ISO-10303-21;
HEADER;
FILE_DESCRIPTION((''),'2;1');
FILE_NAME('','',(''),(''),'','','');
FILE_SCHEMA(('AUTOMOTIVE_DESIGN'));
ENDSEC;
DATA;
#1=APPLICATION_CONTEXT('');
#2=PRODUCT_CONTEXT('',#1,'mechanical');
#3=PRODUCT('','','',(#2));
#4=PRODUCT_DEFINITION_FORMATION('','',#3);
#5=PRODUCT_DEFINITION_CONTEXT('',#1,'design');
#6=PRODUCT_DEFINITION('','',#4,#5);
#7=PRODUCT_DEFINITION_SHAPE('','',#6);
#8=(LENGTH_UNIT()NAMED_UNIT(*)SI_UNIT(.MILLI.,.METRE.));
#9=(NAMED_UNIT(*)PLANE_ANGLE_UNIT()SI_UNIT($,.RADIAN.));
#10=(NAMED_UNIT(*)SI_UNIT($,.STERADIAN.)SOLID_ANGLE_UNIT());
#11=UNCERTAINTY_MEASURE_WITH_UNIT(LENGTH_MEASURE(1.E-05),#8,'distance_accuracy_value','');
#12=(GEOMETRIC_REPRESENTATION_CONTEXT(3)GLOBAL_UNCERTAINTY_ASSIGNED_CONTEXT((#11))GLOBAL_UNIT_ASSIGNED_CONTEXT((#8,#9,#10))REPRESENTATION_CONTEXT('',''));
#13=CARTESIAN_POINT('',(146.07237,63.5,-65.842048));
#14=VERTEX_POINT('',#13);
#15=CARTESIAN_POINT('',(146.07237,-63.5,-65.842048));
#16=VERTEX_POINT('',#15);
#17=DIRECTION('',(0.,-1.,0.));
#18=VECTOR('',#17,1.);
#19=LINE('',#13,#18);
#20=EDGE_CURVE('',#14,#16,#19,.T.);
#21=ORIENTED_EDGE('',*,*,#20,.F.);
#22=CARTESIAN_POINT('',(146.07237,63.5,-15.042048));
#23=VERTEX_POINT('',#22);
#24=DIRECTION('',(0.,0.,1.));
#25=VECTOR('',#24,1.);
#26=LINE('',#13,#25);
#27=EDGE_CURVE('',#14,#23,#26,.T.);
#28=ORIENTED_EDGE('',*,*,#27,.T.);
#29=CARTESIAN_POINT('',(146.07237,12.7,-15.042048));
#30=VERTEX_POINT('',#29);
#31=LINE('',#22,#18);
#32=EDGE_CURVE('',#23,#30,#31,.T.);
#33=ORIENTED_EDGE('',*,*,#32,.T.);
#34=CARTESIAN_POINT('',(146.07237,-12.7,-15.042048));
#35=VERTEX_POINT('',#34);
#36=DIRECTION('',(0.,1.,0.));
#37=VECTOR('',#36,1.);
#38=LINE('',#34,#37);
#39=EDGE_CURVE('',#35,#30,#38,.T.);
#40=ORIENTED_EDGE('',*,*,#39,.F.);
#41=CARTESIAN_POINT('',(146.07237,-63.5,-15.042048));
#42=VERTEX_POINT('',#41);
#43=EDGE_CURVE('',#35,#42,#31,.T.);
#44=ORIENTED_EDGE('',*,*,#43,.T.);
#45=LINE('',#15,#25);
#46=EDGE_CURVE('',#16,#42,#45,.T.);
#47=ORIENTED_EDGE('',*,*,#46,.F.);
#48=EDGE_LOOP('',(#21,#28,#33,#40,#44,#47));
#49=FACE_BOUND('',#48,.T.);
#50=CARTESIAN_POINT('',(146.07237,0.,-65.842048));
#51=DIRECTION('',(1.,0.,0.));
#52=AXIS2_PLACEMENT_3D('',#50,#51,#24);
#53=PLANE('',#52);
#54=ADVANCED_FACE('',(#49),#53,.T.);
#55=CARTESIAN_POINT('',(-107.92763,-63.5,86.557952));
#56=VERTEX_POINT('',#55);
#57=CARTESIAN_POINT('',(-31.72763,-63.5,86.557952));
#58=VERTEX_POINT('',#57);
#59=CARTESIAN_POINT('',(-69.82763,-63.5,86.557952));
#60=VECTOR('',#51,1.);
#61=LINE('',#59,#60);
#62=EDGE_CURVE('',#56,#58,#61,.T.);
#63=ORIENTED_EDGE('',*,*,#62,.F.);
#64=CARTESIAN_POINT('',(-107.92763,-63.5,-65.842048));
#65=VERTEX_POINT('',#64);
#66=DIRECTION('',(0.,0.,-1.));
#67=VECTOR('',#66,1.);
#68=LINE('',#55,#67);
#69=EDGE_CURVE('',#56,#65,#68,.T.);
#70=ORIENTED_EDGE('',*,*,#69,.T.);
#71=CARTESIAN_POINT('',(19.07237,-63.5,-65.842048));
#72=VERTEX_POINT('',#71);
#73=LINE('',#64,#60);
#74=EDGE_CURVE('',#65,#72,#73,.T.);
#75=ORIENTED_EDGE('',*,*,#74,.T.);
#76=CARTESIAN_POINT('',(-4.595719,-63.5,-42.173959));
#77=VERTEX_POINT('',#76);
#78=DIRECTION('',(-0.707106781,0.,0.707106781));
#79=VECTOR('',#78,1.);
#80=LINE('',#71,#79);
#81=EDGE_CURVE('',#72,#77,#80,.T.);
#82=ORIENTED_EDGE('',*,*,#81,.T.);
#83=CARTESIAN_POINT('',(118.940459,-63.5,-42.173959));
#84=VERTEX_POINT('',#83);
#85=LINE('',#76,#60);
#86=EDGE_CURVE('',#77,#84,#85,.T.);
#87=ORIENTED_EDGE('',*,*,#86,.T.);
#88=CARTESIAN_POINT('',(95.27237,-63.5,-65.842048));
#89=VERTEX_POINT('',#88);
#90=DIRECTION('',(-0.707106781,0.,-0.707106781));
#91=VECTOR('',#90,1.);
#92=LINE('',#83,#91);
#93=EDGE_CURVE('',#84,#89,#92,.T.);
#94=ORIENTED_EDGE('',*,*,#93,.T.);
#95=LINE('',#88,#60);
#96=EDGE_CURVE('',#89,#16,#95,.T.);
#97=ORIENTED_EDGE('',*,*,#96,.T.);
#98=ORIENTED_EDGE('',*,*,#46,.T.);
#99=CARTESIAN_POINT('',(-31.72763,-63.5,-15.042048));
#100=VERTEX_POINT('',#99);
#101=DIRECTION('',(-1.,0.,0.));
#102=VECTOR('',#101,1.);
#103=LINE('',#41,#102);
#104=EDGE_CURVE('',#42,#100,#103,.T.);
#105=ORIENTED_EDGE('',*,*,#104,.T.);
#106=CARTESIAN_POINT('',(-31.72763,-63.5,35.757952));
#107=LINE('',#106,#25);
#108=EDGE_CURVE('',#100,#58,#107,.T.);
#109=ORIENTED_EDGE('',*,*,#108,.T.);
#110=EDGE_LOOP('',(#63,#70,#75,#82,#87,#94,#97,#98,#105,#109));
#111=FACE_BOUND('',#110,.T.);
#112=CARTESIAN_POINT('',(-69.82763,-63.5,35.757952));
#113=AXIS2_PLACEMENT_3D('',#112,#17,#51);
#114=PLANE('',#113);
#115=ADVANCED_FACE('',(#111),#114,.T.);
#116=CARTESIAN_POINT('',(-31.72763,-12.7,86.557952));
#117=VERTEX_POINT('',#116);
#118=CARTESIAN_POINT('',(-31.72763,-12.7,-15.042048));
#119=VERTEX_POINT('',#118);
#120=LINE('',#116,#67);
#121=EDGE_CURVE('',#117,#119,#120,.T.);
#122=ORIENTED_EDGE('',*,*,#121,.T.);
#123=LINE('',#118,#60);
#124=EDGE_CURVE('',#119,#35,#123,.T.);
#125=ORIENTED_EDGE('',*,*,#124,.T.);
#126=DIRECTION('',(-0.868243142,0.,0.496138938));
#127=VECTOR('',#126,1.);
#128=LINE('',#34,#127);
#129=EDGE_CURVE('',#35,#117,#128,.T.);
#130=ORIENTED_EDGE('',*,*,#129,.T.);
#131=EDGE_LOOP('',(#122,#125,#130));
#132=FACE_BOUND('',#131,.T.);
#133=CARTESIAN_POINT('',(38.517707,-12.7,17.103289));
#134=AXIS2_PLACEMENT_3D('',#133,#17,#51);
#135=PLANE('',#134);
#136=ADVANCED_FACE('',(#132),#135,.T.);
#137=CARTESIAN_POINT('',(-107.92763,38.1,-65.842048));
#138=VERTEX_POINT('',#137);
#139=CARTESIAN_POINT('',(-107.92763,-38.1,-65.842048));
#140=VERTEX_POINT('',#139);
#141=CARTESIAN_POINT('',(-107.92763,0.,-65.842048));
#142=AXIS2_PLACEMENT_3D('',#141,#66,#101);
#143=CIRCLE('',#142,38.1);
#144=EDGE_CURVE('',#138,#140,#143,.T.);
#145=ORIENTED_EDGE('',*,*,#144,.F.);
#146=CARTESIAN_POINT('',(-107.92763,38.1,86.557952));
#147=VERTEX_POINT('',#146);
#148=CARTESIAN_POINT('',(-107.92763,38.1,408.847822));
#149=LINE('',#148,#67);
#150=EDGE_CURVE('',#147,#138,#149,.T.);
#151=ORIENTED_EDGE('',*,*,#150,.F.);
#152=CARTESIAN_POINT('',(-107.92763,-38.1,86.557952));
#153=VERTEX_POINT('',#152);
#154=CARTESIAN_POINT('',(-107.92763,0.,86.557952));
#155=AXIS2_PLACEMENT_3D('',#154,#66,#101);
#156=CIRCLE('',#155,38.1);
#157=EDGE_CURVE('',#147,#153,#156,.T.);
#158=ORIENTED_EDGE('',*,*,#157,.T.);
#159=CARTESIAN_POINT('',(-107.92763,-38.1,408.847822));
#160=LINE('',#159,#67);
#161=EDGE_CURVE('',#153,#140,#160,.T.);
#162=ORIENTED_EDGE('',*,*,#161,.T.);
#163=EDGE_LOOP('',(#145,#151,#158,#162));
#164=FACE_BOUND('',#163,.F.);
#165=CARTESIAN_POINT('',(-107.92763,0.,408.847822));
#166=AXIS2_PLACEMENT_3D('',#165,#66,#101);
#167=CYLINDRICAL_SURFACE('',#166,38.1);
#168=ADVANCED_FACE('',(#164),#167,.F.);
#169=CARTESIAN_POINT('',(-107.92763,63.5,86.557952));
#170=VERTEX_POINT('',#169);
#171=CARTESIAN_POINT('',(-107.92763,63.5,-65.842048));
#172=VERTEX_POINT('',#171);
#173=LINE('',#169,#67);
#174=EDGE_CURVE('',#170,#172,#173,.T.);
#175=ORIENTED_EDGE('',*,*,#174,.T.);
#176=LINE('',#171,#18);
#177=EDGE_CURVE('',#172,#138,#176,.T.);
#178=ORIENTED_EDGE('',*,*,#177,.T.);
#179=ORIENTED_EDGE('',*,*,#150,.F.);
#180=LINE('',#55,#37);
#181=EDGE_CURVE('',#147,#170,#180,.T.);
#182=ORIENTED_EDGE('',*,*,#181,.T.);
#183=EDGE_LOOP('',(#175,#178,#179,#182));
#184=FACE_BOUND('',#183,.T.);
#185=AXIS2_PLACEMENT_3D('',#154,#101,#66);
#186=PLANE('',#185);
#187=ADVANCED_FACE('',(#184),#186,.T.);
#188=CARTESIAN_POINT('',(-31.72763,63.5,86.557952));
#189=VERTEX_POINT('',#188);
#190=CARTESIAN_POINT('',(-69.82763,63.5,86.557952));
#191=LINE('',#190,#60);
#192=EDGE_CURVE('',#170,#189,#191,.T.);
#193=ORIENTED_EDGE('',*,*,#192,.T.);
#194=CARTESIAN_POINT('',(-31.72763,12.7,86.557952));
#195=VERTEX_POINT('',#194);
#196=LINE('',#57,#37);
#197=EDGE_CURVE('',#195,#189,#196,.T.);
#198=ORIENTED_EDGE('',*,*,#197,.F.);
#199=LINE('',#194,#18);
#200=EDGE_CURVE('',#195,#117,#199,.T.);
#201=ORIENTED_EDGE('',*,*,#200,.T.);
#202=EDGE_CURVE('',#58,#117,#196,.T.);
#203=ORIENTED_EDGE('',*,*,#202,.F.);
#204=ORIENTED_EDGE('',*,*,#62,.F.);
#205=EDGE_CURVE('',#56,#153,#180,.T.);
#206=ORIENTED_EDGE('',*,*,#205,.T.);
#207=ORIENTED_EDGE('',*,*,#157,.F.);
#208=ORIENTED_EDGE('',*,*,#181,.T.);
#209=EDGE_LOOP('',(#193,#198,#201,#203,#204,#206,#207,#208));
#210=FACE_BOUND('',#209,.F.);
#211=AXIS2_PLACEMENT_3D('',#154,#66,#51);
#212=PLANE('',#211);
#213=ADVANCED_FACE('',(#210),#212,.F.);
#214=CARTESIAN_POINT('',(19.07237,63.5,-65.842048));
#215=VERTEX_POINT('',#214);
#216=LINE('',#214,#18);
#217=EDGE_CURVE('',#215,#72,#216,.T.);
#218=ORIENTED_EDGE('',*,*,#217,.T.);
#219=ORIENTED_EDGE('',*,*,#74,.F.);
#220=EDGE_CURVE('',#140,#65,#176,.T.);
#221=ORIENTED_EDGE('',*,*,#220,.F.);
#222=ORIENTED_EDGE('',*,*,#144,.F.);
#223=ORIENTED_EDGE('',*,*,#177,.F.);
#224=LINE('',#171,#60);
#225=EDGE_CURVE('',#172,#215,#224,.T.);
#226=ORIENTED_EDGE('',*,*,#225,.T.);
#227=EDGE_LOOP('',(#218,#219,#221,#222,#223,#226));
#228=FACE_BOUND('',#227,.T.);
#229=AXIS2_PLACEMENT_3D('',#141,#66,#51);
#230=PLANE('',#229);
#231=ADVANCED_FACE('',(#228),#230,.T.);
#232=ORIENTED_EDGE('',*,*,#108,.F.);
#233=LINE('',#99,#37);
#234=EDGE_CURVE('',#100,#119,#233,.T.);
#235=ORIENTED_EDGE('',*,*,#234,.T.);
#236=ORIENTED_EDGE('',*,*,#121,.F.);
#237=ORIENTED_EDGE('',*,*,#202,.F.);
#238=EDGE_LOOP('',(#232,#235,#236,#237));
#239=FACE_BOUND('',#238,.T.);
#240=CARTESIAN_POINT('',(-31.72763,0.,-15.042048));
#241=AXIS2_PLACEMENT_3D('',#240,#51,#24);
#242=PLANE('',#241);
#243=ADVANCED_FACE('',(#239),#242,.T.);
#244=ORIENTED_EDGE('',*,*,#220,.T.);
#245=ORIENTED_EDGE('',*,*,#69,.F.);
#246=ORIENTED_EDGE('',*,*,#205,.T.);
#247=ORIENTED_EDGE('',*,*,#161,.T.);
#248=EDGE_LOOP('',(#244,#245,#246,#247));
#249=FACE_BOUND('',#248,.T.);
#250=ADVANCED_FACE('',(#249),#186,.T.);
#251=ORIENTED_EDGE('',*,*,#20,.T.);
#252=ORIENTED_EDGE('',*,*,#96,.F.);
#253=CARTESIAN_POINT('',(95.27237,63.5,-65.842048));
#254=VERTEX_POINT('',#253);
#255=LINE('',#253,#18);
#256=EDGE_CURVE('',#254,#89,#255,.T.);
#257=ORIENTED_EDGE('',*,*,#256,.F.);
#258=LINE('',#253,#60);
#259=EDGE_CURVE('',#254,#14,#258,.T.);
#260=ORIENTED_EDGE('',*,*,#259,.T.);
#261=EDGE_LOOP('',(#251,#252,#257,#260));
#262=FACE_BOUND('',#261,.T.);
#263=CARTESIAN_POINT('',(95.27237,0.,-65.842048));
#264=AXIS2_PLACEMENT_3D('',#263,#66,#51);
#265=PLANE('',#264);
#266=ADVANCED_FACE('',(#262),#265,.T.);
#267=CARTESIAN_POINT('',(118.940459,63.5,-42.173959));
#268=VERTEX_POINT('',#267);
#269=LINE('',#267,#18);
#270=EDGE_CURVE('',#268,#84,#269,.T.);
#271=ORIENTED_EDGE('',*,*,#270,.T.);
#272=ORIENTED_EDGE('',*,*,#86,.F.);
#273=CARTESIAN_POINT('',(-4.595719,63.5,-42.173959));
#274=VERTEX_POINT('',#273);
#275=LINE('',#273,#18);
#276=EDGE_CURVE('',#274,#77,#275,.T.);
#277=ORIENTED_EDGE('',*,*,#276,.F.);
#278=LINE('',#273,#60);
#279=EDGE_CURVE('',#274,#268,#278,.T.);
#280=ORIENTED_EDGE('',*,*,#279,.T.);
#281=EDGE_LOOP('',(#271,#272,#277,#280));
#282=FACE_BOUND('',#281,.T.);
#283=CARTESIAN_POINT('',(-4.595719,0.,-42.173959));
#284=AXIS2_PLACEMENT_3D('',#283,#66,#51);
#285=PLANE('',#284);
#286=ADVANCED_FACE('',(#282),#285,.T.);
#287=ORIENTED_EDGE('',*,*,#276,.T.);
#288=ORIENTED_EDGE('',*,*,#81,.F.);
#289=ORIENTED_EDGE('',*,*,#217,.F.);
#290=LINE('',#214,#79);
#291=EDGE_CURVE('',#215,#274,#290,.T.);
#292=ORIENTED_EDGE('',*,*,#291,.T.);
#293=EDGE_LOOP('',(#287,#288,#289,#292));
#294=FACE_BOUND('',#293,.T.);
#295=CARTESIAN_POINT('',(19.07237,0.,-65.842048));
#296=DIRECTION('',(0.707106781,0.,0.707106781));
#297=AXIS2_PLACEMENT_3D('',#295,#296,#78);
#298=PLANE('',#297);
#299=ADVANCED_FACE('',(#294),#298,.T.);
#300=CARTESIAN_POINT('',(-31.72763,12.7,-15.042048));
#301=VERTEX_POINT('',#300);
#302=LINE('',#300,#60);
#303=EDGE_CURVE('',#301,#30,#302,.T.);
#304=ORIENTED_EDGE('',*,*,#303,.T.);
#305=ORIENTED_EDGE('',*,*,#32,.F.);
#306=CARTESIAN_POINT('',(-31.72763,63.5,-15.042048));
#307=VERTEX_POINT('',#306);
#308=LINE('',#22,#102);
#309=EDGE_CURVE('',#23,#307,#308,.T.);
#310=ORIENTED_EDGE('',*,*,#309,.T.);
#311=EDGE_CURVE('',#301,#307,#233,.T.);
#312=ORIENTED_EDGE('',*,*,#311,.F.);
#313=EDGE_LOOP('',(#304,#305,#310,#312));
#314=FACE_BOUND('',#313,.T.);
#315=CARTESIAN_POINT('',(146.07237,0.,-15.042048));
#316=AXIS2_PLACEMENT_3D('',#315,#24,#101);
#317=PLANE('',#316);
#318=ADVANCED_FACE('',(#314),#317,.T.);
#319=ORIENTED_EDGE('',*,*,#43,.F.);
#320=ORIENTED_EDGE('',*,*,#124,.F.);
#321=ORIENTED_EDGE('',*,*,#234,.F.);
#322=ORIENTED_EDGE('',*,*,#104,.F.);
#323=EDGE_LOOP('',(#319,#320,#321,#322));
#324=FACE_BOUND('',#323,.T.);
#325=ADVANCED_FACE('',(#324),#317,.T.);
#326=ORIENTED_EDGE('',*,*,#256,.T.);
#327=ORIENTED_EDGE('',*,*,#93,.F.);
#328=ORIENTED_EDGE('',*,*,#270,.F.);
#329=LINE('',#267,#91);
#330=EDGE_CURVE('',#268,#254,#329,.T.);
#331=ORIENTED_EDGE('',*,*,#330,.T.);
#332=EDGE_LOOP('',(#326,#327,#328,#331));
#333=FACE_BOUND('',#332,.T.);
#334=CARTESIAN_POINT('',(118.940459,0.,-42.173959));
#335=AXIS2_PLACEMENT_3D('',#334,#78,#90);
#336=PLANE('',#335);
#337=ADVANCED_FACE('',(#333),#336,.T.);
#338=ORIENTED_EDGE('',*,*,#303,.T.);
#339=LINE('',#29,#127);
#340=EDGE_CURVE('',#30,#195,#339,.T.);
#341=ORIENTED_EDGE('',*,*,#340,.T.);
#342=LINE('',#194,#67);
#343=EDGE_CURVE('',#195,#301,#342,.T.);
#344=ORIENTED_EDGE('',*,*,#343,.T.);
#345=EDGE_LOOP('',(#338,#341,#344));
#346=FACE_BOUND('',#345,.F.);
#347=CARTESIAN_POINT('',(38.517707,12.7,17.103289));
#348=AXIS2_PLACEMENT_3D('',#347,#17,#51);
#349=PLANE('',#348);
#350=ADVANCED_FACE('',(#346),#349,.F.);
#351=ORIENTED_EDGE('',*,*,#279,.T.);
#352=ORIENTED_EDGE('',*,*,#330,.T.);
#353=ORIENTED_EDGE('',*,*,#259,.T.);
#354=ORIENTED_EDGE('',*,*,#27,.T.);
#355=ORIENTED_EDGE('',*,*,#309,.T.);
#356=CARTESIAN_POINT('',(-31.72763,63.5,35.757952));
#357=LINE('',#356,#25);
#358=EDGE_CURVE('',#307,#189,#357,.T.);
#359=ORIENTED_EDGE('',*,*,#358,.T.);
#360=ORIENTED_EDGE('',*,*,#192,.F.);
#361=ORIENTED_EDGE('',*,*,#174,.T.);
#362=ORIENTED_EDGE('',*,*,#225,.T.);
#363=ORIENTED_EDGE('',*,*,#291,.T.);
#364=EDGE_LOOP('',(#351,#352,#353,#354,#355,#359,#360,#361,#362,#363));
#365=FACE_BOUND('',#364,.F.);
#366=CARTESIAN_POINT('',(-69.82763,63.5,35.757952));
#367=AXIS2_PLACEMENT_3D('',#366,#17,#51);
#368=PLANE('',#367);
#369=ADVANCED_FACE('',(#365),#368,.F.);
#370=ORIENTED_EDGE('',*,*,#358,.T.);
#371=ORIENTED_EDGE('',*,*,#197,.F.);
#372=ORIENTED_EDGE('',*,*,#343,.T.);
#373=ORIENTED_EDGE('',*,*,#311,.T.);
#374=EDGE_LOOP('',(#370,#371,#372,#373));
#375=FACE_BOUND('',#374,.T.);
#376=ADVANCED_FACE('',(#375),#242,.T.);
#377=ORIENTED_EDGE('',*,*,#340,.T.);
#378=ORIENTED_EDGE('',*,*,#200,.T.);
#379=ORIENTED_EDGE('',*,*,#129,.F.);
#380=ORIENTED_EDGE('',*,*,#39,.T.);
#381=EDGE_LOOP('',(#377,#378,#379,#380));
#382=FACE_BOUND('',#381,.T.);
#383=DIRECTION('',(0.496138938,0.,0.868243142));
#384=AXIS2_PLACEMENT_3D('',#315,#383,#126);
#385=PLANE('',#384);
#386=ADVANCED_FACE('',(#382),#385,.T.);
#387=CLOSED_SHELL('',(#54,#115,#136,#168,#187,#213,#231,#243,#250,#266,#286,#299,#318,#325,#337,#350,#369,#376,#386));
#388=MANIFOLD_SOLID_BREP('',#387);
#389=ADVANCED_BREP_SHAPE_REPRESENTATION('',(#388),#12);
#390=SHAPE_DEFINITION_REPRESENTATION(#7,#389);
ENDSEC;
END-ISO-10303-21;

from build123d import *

# Parameters (mm, degrees)
F1_DEPTH = 12.7
F0_W     = 76.2
F0_H     = 101.6
F2_DEPTH = 63.5
F4_D     = 76.2


with BuildPart() as f1:
    # F0 (on Front) → F1 (new body, symmetric)
    with BuildSketch(Plane.XZ):
        Polygon((146.07237, -15.042048), (-31.72763, 86.557952), (-31.72763, -15.042048), align=None)
    extrude(amount=F1_DEPTH, both=True)

    # F0 (on Front) → F2 (join, symmetric)
    with BuildSketch(Plane.XZ):
        with Locations((-69.82763, 35.757952)):
            Rectangle(F0_W, F0_H)
        Polygon((146.07237, -65.842048), (146.07237, -15.042048), (-31.72763, -15.042048), (-107.92763, -15.042048), (-107.92763, -65.842048), (19.07237, -65.842048), (-4.595719, -42.173959), (118.940459, -42.173959), (95.27237, -65.842048), align=None)
    extrude(amount=F2_DEPTH, both=True)

    # F4 (through all)
    with Locations(Plane.XY.offset(86.557952)):
        with Locations((-107.92763, 0)):
            Hole(F4_D / 2)


solid = f1.part
